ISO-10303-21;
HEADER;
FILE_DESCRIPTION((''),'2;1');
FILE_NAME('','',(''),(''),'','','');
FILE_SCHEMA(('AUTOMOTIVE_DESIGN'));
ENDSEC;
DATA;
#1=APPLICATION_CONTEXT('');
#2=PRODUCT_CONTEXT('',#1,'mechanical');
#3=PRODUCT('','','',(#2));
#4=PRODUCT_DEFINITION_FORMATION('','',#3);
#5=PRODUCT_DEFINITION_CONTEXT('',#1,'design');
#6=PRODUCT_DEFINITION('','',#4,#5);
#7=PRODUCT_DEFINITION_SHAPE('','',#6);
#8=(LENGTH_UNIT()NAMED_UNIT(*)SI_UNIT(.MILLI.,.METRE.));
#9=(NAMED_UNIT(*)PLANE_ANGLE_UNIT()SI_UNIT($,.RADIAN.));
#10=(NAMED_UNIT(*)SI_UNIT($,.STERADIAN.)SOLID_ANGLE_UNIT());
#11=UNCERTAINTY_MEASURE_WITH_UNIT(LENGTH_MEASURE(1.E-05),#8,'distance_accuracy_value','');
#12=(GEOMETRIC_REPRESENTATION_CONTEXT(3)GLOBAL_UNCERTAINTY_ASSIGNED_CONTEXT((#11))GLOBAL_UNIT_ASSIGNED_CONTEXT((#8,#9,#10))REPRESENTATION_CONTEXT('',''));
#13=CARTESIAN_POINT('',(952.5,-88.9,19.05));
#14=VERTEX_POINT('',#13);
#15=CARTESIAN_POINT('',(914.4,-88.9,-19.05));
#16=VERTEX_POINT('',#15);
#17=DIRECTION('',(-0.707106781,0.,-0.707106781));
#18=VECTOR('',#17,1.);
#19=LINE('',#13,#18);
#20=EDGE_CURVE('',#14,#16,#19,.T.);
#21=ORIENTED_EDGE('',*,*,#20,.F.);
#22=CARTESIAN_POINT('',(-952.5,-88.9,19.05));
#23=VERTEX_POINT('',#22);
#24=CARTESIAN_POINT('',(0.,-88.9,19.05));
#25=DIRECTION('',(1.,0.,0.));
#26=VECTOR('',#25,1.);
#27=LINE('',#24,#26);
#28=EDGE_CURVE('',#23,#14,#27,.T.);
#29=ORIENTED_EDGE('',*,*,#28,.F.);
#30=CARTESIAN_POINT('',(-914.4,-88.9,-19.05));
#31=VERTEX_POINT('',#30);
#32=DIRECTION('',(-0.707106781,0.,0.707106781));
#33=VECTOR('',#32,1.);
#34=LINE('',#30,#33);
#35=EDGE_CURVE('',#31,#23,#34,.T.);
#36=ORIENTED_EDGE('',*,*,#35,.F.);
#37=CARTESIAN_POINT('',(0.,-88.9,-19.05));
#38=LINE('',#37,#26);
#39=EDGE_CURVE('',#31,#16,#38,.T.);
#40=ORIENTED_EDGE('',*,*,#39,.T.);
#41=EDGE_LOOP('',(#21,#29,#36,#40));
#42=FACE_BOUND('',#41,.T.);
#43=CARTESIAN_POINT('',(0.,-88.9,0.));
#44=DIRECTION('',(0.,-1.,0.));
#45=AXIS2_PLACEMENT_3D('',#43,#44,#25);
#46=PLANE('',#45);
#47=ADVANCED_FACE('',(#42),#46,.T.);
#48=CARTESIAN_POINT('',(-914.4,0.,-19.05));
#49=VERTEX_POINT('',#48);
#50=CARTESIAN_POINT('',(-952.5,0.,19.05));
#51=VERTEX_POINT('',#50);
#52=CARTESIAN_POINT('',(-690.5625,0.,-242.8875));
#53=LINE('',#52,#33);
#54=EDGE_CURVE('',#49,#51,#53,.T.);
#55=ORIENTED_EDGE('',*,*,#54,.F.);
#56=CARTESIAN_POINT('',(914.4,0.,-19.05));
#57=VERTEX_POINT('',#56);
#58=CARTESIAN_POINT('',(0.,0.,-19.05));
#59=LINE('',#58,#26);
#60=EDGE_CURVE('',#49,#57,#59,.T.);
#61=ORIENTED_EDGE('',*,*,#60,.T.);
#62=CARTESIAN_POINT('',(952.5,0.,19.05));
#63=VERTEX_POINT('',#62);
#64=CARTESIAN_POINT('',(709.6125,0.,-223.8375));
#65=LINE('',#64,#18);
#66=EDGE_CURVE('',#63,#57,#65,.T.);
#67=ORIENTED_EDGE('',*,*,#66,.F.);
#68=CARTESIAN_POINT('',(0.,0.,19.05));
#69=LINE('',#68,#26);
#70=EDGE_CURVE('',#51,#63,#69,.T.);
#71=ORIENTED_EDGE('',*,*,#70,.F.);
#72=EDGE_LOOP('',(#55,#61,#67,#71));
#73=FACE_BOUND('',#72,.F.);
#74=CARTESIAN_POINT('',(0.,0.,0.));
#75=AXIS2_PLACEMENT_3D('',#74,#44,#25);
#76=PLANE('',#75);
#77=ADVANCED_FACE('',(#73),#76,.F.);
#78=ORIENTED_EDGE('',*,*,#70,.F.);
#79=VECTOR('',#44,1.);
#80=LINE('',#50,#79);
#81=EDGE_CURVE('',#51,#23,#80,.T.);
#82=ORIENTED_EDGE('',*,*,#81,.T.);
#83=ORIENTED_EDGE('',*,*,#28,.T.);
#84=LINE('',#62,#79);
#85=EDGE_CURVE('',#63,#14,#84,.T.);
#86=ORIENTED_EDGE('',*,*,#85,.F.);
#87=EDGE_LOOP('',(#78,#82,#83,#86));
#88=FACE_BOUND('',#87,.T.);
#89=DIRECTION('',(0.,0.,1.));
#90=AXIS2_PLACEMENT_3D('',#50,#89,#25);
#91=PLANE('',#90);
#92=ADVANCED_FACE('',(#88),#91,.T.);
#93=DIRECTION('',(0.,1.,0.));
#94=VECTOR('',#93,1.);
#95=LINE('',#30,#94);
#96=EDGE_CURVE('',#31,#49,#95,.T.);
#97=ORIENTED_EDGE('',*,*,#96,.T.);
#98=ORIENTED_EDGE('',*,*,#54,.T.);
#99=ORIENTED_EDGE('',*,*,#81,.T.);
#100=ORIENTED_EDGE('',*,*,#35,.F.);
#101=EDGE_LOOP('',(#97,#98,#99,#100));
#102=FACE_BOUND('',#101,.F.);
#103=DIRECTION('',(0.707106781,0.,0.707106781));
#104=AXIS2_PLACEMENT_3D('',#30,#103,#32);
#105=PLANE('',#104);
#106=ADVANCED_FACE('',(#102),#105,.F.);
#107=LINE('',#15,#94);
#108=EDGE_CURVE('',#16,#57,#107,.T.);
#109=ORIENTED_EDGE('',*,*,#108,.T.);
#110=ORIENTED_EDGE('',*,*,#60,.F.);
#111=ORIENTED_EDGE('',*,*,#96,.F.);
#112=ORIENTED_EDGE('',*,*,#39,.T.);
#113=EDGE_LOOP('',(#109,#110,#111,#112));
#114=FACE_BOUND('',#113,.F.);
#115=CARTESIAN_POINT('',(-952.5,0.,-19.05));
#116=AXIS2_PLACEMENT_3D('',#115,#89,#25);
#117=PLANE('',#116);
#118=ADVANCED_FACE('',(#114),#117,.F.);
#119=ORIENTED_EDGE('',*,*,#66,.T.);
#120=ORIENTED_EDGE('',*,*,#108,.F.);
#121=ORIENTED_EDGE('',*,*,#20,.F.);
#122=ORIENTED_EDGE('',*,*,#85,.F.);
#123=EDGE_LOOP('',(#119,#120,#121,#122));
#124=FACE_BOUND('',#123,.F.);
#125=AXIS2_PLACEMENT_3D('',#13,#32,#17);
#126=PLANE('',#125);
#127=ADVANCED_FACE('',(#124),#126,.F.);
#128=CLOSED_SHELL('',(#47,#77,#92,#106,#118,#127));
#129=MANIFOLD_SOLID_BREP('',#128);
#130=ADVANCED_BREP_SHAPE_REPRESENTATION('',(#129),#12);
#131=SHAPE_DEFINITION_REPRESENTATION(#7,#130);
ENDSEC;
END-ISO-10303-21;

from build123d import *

# Parameters (mm, degrees)
F0_W     = 1905
F0_H     = 38.1
F1_DEPTH = 88.9
F3_DEPTH = 88.901


with BuildPart() as f1:
    # F0 (on Front) → F1 (new body)
    with BuildSketch(Plane.XZ):
        Rectangle(F0_W, F0_H)
    extrude(amount=F1_DEPTH)

    # F2 (on face) → F3 (cut, through all)
    with BuildSketch(Plane.XZ.offset(88.9)):
        Polygon((-914.4, -19.05), (-952.5, 19.05), (-952.5, -19.05), align=None)
        Polygon((952.5, -19.05), (952.5, 19.05), (914.4, -19.05), align=None)
    extrude(amount=-F3_DEPTH, mode=Mode.SUBTRACT)


solid = f1.part
